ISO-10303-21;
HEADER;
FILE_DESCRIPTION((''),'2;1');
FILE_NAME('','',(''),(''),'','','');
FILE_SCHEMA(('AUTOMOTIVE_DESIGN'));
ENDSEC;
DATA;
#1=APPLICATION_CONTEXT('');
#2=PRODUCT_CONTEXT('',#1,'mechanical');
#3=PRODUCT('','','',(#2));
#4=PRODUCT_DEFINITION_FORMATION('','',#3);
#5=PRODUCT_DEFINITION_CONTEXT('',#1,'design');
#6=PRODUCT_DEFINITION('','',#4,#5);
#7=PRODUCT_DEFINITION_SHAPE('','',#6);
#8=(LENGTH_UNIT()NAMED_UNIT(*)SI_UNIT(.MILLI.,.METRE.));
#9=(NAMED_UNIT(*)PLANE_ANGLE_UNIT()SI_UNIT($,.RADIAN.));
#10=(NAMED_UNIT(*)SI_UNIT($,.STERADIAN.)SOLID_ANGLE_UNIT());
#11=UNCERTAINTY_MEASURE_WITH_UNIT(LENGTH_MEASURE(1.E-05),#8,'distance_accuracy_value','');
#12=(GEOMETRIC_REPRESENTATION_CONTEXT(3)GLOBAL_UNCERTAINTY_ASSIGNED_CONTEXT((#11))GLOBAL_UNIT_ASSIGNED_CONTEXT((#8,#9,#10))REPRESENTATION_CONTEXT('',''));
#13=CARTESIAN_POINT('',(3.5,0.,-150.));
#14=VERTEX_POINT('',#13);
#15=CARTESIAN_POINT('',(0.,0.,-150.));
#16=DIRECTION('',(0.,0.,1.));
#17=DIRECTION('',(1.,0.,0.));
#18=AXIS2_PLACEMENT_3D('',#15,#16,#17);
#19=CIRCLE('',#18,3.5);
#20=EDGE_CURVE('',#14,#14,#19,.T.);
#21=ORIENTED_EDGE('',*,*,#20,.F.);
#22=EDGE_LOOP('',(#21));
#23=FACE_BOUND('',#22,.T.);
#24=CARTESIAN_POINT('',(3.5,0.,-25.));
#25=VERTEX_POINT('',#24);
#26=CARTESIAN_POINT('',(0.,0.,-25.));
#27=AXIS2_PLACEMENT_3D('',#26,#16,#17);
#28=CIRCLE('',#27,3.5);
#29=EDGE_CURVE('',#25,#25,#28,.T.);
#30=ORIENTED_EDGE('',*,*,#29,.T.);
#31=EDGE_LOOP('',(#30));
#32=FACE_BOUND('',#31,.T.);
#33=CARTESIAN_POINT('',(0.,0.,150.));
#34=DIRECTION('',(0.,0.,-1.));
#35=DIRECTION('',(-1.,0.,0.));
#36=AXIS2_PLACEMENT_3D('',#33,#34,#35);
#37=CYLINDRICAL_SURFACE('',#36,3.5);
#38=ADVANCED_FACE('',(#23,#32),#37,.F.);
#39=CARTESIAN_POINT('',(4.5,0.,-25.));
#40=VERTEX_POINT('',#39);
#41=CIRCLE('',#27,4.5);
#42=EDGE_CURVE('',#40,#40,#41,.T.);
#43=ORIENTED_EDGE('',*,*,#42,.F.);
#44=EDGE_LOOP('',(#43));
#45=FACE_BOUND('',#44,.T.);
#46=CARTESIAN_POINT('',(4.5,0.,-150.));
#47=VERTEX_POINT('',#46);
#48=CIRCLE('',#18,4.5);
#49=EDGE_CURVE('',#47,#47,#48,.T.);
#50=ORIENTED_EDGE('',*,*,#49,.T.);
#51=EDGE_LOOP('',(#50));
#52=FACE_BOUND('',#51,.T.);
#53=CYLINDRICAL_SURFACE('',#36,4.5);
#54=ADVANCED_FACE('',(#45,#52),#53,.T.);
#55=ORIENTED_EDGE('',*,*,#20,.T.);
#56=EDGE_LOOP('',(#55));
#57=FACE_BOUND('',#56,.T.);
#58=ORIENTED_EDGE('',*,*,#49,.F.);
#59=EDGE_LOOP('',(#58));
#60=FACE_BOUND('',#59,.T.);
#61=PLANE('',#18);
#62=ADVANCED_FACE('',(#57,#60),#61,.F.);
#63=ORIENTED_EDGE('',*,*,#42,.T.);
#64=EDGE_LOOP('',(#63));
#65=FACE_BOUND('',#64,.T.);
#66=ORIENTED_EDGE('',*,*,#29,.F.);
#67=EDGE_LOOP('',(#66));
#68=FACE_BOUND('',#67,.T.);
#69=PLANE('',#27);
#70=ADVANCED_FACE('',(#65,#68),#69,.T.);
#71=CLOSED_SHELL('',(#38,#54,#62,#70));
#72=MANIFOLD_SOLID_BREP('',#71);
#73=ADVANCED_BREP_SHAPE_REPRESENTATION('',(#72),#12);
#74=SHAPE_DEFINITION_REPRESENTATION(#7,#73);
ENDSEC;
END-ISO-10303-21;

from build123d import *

# Parameters (mm, degrees)
SKETCH3_R           = 4.5
SKETCH3_R_2         = 3.5
BOSS_EXTRUDE1_DEPTH = 150
SKETCH4_R           = 4.5
CUT_EXTRUDE1_DEPTH  = 175


with BuildPart() as part:
    # Sketch3 → Boss-Extrude1 (new, symmetric)
    with BuildSketch(Plane.XY):
        Circle(SKETCH3_R)
        Circle(SKETCH3_R_2, mode=Mode.SUBTRACT)
    extrude(amount=BOSS_EXTRUDE1_DEPTH, both=True)

    # Sketch4 → Cut-Extrude1 (cut)
    with BuildSketch(Plane.XY.offset(150)):
        Circle(SKETCH4_R)
    extrude(amount=-CUT_EXTRUDE1_DEPTH, mode=Mode.SUBTRACT)


solid = part.part
